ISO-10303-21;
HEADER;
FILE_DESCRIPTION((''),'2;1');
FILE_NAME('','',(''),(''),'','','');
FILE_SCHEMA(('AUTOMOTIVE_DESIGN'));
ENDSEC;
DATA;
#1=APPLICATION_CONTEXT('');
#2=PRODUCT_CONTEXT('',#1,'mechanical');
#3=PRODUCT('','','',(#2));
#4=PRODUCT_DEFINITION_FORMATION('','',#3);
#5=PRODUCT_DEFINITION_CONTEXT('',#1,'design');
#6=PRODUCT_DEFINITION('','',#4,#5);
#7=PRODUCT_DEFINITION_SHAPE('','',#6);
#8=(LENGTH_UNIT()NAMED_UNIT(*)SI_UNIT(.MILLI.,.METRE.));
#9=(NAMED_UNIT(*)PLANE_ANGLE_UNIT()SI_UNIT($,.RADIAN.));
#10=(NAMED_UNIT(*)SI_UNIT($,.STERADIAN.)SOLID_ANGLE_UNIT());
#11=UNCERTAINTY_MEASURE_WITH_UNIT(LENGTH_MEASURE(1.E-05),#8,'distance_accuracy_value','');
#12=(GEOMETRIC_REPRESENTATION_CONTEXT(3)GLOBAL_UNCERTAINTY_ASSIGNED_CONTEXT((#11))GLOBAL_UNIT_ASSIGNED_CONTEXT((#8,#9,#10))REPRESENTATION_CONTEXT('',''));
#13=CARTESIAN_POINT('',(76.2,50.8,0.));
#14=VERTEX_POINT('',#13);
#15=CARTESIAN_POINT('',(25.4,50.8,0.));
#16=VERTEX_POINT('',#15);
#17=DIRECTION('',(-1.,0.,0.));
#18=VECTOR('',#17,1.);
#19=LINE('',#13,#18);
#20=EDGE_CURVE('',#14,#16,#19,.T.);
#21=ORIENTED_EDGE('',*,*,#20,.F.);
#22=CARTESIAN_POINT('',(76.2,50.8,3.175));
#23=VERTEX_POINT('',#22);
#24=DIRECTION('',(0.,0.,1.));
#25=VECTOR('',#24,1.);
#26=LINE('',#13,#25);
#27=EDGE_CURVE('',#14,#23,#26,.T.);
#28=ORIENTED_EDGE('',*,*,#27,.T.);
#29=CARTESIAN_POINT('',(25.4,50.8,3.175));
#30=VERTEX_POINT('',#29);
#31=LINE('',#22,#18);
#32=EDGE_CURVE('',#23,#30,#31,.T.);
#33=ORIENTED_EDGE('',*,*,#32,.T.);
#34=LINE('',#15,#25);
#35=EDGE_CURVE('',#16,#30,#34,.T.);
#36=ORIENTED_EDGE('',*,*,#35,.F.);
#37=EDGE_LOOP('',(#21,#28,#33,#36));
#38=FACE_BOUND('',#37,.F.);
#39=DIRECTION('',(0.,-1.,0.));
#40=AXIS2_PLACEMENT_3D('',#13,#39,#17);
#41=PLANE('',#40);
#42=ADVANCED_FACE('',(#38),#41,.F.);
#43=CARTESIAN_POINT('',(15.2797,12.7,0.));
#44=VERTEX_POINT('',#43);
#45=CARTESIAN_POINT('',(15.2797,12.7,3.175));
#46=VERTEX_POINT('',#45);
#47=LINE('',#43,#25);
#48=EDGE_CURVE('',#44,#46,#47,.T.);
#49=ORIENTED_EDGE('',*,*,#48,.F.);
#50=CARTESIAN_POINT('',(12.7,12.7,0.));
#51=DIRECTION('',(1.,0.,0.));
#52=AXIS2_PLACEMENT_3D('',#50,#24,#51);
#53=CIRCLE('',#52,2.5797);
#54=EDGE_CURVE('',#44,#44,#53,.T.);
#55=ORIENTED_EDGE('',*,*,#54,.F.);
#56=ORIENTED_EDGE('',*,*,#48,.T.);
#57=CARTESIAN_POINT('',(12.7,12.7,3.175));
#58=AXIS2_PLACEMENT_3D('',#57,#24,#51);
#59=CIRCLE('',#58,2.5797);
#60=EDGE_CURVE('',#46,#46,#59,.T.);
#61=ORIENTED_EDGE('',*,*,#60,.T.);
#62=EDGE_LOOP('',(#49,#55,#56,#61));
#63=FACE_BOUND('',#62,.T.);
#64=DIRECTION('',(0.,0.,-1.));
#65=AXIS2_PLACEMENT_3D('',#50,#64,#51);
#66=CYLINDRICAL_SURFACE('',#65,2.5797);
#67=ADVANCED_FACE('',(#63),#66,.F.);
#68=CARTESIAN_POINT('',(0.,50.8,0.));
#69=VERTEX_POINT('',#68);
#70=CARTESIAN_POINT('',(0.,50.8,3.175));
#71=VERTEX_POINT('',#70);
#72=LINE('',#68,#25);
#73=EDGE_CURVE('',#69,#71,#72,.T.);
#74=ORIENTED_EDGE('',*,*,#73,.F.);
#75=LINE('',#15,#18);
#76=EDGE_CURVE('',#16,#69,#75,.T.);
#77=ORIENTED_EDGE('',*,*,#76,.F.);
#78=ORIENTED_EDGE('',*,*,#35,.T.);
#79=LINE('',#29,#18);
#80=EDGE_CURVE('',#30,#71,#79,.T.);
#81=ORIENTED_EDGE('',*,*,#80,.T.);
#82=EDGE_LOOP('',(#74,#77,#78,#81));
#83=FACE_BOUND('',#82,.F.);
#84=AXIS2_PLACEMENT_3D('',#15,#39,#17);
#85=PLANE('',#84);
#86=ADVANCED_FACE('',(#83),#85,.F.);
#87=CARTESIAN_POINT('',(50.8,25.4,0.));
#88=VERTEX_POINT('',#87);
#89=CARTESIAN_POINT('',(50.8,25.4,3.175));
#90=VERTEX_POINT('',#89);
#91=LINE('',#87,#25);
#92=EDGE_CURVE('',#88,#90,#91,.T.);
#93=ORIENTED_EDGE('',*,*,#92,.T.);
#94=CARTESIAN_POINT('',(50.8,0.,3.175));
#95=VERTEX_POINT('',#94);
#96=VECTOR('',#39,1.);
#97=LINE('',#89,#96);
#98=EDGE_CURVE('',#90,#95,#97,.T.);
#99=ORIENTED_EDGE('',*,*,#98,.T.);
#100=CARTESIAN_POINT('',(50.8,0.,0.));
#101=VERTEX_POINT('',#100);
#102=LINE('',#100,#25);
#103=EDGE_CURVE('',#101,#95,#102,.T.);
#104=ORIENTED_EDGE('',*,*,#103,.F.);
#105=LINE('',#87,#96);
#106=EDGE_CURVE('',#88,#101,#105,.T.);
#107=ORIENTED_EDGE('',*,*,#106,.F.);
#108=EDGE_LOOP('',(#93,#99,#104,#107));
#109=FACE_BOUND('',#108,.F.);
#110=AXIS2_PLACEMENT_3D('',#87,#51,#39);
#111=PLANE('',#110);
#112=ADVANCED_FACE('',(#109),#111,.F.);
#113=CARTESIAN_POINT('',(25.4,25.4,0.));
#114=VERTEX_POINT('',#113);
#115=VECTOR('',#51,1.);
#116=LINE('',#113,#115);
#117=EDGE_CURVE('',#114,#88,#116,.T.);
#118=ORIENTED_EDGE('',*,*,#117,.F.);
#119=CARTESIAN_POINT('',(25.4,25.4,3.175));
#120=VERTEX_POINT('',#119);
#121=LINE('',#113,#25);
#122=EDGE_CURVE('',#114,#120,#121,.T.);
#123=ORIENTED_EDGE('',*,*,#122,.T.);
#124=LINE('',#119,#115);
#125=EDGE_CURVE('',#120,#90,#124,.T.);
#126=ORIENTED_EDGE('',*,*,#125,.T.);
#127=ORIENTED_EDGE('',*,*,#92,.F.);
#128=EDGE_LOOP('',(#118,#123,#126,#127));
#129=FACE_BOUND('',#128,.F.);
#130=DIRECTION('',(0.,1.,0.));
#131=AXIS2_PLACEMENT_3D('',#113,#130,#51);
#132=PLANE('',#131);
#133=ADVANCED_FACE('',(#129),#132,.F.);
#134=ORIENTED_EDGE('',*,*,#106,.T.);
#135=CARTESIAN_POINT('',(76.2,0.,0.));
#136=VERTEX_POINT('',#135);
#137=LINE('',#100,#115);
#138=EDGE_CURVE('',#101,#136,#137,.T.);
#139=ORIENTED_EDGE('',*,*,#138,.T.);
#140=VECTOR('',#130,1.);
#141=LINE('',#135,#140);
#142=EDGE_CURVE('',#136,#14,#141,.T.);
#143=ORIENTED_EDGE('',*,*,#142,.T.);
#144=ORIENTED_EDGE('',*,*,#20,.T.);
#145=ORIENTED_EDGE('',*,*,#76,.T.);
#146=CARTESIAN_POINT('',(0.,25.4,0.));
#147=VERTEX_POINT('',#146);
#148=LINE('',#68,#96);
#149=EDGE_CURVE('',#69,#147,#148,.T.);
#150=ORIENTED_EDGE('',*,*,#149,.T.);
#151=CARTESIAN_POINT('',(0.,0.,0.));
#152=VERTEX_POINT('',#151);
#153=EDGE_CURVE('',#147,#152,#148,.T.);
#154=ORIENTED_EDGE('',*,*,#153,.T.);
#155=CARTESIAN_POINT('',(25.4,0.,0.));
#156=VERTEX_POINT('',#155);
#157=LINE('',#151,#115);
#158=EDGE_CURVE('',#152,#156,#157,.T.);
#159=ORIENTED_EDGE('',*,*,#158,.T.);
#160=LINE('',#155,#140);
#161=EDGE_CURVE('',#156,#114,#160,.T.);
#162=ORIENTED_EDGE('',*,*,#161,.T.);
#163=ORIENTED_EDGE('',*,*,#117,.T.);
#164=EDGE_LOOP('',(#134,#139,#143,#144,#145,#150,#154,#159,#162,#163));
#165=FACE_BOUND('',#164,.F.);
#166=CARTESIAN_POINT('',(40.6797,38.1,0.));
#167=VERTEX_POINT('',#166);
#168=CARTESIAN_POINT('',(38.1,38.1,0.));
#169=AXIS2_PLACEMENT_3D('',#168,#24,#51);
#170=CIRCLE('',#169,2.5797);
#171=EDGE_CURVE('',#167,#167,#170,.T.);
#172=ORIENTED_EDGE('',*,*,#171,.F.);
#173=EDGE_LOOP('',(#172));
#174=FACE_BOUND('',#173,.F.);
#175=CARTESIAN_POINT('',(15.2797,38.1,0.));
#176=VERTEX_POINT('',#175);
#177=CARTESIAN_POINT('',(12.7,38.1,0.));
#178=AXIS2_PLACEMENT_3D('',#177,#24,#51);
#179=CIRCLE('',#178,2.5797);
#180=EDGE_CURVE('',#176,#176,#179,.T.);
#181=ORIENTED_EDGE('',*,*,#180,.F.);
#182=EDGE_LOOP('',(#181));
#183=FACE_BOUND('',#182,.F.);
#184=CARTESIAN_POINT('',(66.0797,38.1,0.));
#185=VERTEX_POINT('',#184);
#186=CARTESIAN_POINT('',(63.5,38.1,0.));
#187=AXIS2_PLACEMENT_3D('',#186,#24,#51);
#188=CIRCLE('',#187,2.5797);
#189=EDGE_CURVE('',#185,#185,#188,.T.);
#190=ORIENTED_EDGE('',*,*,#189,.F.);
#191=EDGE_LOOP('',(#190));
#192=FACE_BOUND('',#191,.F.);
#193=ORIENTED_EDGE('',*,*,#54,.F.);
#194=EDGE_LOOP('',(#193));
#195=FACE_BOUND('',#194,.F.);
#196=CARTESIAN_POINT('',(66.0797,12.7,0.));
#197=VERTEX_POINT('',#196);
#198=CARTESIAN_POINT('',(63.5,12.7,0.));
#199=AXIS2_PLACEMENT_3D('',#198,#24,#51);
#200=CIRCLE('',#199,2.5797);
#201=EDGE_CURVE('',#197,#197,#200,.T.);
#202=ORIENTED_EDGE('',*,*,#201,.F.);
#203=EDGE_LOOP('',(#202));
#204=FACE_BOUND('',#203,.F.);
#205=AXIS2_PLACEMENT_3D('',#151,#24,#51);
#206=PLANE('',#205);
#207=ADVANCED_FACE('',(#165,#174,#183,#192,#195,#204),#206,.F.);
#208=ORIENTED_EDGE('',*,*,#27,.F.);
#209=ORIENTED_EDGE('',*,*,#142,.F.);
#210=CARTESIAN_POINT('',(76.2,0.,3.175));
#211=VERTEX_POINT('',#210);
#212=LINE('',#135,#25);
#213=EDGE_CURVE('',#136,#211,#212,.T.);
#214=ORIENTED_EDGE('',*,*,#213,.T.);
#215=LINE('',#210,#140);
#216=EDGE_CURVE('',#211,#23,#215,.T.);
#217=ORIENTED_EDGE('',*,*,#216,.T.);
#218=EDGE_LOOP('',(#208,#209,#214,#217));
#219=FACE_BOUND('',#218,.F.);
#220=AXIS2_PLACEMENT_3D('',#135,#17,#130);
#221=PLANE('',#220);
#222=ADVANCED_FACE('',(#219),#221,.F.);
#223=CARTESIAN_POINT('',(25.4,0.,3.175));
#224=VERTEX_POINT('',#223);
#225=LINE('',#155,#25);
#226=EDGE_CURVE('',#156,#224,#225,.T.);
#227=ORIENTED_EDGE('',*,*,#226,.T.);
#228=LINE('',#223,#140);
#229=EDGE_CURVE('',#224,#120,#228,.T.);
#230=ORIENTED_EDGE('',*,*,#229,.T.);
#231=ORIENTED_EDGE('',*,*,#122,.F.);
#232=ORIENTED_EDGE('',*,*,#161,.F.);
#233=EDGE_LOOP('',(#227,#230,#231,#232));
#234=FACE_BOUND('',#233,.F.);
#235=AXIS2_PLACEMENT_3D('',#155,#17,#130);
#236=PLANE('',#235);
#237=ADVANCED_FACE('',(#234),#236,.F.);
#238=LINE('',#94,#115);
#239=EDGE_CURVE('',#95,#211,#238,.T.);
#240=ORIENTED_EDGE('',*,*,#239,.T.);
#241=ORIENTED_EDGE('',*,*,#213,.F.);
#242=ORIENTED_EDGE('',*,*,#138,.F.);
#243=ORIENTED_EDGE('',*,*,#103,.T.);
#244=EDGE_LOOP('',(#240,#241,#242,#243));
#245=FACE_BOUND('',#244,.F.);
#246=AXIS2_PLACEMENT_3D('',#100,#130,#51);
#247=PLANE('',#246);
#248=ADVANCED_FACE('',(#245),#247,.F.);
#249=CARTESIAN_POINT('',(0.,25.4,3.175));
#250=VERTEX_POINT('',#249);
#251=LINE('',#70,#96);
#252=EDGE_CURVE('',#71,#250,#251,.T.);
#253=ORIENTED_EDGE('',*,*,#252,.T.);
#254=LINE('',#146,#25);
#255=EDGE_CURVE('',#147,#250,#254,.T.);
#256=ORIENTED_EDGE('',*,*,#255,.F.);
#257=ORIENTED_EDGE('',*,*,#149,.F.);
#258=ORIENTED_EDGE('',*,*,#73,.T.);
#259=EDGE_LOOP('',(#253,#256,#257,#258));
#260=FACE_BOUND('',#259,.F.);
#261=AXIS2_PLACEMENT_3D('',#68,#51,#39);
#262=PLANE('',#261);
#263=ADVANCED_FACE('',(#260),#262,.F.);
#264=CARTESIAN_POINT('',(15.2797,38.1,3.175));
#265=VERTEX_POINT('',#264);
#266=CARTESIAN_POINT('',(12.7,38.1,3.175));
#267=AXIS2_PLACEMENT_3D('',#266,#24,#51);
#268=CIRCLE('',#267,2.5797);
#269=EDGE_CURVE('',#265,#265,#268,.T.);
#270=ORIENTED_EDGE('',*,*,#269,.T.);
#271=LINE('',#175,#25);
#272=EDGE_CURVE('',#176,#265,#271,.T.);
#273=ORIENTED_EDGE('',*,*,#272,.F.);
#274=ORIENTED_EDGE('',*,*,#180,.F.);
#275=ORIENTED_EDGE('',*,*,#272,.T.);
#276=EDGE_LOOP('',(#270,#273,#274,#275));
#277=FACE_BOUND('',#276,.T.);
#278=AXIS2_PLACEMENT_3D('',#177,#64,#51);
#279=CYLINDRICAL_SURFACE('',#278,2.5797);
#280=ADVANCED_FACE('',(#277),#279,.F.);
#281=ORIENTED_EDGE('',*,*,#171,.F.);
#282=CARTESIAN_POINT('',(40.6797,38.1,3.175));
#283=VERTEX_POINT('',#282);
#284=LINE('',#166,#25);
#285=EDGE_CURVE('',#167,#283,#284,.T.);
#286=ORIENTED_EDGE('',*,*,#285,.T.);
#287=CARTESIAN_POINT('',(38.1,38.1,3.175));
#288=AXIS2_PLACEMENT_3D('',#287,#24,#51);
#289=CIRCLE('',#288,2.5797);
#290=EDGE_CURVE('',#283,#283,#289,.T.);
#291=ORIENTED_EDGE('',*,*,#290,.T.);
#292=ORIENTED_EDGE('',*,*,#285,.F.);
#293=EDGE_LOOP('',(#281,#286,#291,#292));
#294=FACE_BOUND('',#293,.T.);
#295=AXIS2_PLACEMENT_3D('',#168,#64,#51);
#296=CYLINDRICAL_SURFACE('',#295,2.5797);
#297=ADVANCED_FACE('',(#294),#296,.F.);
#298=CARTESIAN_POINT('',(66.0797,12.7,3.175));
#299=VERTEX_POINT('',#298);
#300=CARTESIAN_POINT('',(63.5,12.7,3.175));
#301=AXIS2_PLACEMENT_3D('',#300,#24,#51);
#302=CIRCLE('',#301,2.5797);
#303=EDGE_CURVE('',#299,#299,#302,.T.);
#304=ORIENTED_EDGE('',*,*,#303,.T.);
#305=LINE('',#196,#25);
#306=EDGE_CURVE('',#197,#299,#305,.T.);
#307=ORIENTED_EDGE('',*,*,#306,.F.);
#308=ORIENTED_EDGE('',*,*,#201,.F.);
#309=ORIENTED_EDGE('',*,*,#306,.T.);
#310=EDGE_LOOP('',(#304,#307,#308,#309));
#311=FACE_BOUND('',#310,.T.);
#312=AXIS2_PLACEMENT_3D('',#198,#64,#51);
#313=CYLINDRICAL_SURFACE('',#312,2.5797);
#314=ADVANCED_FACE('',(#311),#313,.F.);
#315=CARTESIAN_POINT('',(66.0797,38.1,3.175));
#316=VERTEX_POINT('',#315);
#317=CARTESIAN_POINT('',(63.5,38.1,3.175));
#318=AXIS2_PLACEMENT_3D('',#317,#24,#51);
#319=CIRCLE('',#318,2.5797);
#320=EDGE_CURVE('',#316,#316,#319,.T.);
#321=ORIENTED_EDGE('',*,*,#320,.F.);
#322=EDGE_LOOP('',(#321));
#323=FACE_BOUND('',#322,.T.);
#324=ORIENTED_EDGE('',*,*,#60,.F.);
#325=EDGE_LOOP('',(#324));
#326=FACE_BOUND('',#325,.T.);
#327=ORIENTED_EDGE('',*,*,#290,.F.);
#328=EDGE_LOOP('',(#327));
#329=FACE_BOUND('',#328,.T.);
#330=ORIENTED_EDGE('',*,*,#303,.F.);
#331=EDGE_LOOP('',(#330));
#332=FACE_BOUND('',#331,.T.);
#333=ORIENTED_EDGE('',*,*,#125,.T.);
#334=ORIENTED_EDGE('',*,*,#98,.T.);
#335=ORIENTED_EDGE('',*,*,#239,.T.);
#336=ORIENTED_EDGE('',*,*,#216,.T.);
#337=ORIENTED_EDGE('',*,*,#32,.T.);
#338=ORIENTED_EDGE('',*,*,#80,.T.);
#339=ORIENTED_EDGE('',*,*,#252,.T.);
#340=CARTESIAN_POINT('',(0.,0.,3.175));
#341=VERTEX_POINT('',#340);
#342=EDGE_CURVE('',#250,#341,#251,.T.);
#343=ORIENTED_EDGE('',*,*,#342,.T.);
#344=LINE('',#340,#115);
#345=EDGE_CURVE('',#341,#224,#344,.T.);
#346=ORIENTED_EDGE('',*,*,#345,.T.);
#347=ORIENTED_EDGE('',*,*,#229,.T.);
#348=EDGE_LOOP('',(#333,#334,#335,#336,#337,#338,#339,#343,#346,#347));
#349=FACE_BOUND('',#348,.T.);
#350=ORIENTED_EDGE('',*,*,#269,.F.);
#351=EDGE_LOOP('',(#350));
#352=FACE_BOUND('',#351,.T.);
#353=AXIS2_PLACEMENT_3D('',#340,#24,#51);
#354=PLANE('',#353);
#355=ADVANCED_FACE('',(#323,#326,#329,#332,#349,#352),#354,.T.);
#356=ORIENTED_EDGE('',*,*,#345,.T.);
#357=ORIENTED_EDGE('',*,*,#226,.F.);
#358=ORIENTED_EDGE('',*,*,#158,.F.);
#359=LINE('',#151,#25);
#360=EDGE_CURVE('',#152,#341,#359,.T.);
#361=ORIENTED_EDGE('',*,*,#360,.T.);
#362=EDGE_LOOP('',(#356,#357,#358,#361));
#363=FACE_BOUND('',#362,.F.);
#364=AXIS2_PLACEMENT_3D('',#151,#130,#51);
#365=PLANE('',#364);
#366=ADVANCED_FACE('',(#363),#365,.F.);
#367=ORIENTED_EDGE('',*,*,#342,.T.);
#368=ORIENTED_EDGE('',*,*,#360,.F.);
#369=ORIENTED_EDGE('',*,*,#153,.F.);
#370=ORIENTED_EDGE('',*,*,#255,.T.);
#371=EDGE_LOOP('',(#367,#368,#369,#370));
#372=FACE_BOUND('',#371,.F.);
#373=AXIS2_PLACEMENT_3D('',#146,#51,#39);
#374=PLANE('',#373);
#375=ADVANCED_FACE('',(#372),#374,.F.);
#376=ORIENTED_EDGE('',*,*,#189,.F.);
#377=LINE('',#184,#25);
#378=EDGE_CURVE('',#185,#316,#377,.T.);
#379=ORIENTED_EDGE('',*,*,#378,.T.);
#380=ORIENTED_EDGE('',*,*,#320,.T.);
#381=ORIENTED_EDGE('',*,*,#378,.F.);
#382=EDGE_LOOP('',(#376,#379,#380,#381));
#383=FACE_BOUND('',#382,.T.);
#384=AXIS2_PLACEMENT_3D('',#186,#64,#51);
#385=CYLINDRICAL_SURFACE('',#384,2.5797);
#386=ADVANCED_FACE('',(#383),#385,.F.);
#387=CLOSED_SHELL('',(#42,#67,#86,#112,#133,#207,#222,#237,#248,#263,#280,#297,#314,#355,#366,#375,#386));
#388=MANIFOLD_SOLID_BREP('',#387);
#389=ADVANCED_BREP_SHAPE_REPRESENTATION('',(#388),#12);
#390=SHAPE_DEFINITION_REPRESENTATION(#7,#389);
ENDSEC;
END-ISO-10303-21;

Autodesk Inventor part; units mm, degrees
ref_plane "YZ Plane" through (0, 0, 0) normal (1, 0, 0) x (0, 1, 0)
ref_plane "XZ Plane" through (0, 0, 0) normal (0, 1, 0) x (-1, 0, 0)
ref_plane "XY Plane" through (0, 0, 0) normal (0, 0, 1) x (1, 0, 0)
sketch "Sketch1" plane through (0, 0, 0) normal (0, 0, 1) x (1, 0, 0)
  line L0 (0, 0) -> (25.4, 0)
  line L1 (25.4, 0) -> (25.4, 25.4)
  line L2 (25.4, 50.8) -> (0, 50.8)
  line L3 (0, 50.8) -> (0, 0)
  line L4 (0, 25.4) -> (0, 50.8)
  line L5 (12.7, 0) -> (12.7, 12.7) construction
  line L6 (12.7, 12.7) -> (12.7, 38.1) construction
  line L7 (12.7, 38.1) -> (38.1, 38.1) construction
  circle A0 centre (12.7, 12.7) radius 2.5797
  circle A1 centre (12.7, 38.1) radius 2.5797
  circle A2 centre (38.1, 38.1) radius 2.5797
  line L8 (25.4, 25.4) -> (50.8, 25.4)
  line L9 (50.8, 25.4) -> (50.8, 0)
  line L10 (50.8, 0) -> (76.2, 0)
  line L11 (76.2, 0) -> (76.2, 50.8)
  line L12 (76.2, 50.8) -> (25.4, 50.8)
  line L13 (38.1, 38.1) -> (63.5, 38.1) construction
  line L14 (63.5, 38.1) -> (63.5, 12.7) construction
  circle A3 centre (63.5, 38.1) radius 2.5797
  circle A4 centre (63.5, 12.7) radius 2.5797
  dimension "d0" = 25.4
  dimension "d1" = 50.8
  dimension "d5" = 12.7
  dimension "d6" = 25.4
  dimension "d7" = 25.4
  dimension "d11" = 5.1594
  dimension "d14" = 25.4
  dimension "d15" = 25.4
  dimension "d16" = 25.4
  dimension "d17" = 25.4
extrude "Extrusion2" add sketch "Sketch1" along normal blind 3.175
properties part number "C-Bracket"
